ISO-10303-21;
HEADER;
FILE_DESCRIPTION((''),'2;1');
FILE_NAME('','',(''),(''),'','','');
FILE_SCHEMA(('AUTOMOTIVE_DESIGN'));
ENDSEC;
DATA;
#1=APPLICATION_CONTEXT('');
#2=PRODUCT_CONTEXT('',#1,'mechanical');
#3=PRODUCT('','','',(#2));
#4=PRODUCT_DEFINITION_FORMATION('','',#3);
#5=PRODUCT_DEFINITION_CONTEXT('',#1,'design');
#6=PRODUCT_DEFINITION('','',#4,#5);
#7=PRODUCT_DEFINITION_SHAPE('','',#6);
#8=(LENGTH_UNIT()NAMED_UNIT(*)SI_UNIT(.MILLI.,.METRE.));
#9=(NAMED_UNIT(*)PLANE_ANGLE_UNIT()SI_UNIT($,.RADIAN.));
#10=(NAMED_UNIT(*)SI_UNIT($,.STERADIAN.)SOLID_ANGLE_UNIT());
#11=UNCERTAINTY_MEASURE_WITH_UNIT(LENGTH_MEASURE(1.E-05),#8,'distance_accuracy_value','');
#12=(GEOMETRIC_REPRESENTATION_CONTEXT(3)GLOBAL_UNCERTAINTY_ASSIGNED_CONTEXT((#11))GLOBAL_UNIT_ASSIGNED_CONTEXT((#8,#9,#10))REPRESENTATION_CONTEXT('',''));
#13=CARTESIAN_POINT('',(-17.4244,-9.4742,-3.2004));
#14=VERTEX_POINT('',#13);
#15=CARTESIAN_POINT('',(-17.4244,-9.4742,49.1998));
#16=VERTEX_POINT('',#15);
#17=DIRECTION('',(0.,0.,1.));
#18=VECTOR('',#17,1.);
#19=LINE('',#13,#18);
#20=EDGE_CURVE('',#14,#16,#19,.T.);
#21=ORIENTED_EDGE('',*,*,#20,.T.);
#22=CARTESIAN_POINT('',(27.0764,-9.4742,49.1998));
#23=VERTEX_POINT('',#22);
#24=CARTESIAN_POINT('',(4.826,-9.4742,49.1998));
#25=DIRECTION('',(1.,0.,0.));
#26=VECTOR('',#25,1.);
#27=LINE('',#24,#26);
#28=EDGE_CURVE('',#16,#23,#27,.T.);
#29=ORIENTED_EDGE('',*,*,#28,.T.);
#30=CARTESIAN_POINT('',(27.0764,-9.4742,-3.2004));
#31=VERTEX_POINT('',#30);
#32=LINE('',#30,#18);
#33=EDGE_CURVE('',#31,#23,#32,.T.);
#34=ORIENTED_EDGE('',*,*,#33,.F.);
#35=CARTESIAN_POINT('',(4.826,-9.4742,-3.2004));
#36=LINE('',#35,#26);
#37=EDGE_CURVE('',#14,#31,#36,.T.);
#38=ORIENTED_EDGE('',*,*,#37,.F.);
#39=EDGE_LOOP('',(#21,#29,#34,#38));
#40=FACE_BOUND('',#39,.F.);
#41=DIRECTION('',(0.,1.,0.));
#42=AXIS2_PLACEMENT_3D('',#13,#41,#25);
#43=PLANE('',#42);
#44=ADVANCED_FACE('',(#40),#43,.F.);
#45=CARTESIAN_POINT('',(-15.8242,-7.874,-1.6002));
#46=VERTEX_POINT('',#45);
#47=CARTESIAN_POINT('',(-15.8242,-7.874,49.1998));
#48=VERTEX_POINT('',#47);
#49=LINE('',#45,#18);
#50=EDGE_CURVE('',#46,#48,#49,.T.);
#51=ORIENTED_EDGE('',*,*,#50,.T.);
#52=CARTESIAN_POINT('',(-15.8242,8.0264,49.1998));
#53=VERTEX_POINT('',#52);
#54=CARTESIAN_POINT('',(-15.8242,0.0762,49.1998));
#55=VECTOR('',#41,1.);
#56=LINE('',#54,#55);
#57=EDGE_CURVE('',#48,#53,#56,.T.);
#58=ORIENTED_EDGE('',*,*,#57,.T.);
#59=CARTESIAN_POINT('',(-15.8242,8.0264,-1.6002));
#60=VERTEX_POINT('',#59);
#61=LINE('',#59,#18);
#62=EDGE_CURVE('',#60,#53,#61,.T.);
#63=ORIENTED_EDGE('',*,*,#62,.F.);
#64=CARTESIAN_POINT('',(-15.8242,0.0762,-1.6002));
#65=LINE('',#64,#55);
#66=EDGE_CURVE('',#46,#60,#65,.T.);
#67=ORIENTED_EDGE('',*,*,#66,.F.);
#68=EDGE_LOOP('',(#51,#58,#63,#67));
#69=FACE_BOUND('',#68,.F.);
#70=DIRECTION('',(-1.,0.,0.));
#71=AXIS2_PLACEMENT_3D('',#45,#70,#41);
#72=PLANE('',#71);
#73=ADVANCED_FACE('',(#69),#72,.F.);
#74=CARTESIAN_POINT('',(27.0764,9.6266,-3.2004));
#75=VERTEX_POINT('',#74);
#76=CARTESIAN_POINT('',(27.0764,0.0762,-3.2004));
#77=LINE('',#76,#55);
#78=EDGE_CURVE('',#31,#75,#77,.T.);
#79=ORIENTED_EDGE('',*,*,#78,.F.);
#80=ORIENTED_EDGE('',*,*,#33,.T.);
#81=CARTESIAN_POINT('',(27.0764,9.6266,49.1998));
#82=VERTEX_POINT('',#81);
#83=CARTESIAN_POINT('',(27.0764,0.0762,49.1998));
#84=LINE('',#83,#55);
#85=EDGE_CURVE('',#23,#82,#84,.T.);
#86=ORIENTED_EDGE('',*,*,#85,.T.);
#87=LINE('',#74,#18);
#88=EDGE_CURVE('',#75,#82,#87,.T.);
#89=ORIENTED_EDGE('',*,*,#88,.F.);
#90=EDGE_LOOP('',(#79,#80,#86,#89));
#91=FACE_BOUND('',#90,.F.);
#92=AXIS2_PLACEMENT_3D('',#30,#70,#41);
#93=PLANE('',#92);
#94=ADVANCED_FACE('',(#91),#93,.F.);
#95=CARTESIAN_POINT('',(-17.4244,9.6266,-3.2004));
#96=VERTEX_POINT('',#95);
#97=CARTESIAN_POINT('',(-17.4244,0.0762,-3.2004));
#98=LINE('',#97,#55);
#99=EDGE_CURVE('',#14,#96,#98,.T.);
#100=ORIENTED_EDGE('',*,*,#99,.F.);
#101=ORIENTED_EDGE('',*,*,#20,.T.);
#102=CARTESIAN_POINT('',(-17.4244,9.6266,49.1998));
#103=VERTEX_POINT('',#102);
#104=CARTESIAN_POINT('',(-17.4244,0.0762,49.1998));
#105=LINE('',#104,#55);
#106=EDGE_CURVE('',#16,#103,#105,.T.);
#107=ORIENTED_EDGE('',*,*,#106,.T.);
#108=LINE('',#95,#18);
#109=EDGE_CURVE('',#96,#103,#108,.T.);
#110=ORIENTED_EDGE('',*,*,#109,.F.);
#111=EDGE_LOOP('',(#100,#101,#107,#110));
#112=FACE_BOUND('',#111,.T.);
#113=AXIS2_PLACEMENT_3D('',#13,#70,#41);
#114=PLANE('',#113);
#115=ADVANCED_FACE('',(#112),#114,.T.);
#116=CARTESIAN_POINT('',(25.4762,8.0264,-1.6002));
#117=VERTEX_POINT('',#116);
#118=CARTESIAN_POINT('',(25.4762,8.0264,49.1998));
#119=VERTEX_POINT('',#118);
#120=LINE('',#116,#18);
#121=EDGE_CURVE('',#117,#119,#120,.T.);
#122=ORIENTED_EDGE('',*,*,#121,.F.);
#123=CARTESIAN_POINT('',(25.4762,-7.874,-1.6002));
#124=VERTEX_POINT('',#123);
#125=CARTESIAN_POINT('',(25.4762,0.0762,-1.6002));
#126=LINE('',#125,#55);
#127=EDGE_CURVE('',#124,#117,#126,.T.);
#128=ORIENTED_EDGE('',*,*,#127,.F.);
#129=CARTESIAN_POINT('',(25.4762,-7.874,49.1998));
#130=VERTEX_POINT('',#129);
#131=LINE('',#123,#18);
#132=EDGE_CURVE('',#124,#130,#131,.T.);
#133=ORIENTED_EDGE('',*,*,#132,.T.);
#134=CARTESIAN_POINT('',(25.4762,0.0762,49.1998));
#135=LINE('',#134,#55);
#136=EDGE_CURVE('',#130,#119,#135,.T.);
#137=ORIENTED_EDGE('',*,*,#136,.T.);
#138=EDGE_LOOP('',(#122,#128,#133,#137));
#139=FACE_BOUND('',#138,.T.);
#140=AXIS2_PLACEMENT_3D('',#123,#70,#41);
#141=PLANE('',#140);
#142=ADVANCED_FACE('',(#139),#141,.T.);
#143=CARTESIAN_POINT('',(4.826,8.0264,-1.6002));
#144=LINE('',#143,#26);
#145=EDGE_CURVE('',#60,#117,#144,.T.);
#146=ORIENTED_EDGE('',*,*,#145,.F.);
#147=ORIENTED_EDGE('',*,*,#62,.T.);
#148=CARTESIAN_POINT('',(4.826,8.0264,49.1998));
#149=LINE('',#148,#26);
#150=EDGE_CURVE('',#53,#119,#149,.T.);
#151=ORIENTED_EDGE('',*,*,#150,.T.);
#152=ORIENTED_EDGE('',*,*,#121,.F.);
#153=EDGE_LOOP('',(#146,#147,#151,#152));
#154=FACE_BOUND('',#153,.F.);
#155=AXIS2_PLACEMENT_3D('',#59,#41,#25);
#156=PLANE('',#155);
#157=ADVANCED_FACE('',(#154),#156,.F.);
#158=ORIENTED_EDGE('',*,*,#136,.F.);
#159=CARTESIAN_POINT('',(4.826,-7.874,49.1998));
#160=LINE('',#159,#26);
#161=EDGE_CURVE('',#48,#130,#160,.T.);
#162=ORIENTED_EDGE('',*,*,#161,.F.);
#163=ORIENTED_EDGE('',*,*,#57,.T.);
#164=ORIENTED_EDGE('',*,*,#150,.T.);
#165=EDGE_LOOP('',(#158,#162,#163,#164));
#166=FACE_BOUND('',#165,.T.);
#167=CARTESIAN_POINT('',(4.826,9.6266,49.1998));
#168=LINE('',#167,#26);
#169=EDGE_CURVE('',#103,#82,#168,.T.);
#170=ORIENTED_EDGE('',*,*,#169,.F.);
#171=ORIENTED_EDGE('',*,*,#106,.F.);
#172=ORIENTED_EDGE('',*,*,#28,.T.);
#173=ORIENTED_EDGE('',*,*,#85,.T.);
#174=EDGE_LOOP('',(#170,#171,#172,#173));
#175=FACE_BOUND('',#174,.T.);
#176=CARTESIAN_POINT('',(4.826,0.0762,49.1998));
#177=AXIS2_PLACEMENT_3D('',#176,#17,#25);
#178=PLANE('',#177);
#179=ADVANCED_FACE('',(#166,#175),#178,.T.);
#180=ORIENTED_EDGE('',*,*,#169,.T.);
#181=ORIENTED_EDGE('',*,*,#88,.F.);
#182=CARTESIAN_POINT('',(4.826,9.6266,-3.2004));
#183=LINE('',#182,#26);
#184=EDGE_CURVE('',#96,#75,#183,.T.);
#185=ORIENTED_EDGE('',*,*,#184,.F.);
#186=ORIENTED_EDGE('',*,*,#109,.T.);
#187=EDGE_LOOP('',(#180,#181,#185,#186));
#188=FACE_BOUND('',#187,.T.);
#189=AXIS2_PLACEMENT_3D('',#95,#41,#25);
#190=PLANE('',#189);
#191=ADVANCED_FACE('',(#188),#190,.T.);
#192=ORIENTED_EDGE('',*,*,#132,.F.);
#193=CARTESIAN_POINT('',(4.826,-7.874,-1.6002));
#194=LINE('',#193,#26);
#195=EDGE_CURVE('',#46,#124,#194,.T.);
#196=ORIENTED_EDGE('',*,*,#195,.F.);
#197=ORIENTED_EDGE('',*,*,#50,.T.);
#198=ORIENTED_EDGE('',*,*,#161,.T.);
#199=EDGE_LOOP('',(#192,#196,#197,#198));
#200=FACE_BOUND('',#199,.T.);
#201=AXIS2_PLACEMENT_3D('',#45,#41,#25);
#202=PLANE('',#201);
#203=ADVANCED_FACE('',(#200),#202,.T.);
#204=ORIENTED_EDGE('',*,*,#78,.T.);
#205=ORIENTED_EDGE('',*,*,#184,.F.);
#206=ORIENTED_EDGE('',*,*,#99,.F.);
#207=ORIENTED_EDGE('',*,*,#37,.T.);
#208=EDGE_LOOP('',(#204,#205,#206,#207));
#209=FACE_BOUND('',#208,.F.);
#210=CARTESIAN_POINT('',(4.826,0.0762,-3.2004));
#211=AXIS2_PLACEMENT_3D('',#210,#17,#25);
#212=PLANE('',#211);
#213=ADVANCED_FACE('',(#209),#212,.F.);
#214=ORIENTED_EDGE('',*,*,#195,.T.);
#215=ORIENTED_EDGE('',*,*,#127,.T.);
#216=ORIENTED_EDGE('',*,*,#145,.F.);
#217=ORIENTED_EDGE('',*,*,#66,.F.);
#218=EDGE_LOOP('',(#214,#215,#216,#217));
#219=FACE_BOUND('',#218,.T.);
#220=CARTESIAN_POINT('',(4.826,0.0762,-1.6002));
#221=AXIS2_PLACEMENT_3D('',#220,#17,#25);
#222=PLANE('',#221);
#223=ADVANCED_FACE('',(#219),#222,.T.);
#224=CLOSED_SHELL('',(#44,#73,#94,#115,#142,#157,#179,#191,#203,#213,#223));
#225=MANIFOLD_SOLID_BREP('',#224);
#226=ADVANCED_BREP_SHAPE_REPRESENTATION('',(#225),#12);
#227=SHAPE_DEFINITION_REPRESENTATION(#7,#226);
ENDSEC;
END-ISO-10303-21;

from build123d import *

# Parameters (mm, degrees)
BOX004_W     = 41.3004
BOX004_H     = 15.9004
BOX004_DEPTH = 50.8
BOX003_W     = 44.5008
BOX003_H     = 19.1008
BOX003_DEPTH = 52.4002


with BuildPart() as cube004:
    # Box004 → Box004 (new body)
    with BuildSketch(Plane(origin=(-15.8242, -7.874, -1.6002), x_dir=(1, 0, 0), z_dir=(0, 0, 1))):
        with Locations((20.6502, 7.9502)):
            Rectangle(BOX004_W, BOX004_H)
    extrude(amount=BOX004_DEPTH)


with BuildPart() as cut001:
    # Box003 → Box003 (new body)
    with BuildSketch(Plane(origin=(-17.4244, -9.4742, -3.2004), x_dir=(1, 0, 0), z_dir=(0, 0, 1))):
        with Locations((22.2504, 9.5504)):
            Rectangle(BOX003_W, BOX003_H)
    extrude(amount=BOX003_DEPTH)

    # Cut001: cut Cube004
    add(cube004.part, mode=Mode.SUBTRACT)


solid = cut001.part
